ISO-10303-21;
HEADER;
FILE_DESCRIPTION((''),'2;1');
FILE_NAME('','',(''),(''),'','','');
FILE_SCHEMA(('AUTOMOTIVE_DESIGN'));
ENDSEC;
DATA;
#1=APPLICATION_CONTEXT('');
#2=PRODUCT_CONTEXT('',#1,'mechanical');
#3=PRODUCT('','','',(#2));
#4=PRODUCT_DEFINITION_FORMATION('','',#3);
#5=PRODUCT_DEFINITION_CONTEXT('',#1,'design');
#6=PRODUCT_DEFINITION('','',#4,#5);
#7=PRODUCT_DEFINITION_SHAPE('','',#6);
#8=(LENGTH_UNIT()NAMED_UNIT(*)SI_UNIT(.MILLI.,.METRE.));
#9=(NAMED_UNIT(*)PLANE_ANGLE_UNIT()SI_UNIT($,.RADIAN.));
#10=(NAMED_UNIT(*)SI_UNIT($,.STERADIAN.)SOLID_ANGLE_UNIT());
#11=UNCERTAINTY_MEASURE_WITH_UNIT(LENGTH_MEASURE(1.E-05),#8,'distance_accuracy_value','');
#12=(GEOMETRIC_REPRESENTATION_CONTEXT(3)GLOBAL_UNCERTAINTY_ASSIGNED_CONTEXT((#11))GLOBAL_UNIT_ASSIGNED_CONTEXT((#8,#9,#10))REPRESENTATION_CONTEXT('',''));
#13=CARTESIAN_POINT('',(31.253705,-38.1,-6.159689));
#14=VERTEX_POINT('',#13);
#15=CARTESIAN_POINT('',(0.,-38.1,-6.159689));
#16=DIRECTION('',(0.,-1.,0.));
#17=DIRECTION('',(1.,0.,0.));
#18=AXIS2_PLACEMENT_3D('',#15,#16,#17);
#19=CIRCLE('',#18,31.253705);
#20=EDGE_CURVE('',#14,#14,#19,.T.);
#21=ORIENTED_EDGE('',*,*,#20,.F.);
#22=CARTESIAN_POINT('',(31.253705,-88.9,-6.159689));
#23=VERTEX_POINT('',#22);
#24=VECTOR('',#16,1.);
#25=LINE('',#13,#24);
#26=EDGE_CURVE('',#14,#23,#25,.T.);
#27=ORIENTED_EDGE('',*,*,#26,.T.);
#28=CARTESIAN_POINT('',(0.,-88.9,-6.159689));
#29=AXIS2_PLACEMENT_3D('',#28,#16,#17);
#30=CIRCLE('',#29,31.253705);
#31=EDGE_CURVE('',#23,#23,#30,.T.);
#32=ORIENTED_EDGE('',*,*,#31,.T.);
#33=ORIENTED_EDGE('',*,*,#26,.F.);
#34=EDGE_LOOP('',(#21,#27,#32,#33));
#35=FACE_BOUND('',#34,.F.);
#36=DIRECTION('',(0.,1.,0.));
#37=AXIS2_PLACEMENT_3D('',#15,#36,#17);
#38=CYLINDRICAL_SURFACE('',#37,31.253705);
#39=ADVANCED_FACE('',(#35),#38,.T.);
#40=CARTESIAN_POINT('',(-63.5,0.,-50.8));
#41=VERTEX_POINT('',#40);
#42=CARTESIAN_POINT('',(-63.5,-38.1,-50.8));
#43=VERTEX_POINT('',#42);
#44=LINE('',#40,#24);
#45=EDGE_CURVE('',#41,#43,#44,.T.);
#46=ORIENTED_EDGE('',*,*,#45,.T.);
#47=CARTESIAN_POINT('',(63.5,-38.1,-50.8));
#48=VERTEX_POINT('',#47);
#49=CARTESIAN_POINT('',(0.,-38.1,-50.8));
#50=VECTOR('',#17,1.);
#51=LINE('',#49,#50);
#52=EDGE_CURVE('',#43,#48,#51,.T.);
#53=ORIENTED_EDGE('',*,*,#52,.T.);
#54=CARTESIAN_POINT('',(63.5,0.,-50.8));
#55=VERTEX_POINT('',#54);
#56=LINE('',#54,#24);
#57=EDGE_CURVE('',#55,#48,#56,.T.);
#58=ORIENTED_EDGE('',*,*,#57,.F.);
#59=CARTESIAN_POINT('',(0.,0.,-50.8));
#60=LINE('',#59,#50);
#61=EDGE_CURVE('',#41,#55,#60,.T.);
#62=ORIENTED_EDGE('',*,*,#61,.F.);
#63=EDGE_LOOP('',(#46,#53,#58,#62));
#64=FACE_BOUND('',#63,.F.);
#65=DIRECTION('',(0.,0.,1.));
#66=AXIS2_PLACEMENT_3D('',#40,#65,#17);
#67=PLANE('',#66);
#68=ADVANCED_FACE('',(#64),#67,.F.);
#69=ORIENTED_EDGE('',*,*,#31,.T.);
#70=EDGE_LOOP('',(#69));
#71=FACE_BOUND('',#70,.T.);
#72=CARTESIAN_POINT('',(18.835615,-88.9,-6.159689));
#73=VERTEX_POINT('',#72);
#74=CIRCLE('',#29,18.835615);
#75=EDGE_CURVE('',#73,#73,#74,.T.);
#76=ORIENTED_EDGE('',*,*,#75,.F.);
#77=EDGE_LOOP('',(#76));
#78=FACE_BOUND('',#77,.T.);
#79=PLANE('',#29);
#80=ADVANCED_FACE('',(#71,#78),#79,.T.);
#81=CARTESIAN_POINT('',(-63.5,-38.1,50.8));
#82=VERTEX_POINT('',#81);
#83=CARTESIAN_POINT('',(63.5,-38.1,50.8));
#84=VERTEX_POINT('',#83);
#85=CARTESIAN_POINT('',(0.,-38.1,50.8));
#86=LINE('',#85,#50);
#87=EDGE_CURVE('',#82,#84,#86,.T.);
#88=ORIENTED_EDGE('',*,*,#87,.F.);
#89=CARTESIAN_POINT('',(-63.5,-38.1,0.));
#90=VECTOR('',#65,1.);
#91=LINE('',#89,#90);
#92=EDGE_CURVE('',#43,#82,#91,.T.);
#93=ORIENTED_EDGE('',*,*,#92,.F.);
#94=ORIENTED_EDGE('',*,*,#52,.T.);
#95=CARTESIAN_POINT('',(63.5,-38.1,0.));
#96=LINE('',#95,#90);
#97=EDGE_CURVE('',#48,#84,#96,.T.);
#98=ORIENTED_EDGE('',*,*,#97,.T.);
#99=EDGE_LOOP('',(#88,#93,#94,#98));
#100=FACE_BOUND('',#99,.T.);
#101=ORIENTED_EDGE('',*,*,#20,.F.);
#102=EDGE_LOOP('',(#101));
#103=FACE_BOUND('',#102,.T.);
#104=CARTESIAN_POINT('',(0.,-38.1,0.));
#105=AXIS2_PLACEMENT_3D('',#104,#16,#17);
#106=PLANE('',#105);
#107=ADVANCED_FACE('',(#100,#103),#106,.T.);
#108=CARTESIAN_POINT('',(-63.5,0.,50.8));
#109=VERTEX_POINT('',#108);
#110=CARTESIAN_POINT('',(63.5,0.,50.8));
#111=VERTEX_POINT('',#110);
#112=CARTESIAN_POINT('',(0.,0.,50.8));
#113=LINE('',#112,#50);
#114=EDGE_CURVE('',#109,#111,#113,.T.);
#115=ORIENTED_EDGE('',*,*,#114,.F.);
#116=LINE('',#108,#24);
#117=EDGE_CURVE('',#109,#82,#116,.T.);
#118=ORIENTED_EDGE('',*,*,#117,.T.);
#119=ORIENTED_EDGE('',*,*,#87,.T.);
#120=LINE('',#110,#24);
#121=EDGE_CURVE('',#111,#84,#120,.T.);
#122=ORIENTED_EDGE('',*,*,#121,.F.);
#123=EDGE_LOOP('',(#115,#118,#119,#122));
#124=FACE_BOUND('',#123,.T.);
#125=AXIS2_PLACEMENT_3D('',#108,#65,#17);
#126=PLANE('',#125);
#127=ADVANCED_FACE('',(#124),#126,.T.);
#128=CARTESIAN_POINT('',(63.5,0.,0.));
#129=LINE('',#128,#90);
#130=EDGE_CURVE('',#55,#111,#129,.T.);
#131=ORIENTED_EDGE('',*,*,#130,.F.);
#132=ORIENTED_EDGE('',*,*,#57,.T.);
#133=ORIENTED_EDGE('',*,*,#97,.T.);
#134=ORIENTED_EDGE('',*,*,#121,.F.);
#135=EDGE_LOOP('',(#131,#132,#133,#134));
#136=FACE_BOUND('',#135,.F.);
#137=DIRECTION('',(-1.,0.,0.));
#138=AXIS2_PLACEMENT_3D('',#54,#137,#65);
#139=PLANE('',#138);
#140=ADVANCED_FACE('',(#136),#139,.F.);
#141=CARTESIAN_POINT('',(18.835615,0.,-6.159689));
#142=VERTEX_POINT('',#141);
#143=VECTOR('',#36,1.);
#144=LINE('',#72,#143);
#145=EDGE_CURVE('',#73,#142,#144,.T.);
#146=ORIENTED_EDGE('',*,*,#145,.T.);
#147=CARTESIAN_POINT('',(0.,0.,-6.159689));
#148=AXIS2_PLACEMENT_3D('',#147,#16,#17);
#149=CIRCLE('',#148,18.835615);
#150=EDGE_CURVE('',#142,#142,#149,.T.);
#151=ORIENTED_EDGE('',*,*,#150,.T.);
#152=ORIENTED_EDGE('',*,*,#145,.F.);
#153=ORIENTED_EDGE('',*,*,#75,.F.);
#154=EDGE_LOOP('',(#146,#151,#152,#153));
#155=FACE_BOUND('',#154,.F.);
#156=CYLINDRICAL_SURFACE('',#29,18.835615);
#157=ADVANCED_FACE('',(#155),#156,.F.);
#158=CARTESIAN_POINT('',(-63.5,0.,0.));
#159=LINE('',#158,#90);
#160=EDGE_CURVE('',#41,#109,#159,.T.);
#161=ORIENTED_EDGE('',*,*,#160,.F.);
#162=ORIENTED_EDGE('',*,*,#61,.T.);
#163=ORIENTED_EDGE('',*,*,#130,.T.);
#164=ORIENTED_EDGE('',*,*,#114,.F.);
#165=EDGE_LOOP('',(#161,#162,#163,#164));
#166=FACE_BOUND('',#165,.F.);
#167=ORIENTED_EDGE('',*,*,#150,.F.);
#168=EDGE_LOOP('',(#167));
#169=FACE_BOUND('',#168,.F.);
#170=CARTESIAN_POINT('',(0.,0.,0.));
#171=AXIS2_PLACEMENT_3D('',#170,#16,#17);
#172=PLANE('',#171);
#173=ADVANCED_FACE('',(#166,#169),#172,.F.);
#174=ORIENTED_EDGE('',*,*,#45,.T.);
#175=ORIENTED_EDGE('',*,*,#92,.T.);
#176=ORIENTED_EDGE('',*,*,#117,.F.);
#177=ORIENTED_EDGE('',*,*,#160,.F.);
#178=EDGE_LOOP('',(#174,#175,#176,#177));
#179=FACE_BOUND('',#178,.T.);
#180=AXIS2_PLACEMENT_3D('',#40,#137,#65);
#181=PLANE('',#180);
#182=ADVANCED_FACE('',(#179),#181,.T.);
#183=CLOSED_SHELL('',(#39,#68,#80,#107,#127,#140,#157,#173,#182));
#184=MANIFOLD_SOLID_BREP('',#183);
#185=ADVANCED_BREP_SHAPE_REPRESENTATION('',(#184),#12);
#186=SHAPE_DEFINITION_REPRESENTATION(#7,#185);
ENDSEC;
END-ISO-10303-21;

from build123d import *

# Parameters (mm, degrees)
F0_W     = 127
F0_H     = 101.6
F1_DEPTH = 38.1
F2_R     = 31.253705
F3_DEPTH = 50.8
F4_R     = 18.835615
F5_DEPTH = 88.901


with BuildPart() as f1:
    # F0 (on Front) → F1 (new body)
    with BuildSketch(Plane.XZ):
        Rectangle(F0_W, F0_H)
    extrude(amount=F1_DEPTH)

    # F2 (on face) → F3 (join)
    with BuildSketch(Plane.XZ.offset(38.1)):
        with Locations((0, -6.159689)):
            Circle(F2_R)
    extrude(amount=F3_DEPTH)

    # F4 (on face) → F5 (cut, through all)
    with BuildSketch(Plane.XZ.offset(88.9)):
        with Locations((0, -6.159689)):
            Circle(F4_R)
    extrude(amount=-F5_DEPTH, mode=Mode.SUBTRACT)


solid = f1.part
